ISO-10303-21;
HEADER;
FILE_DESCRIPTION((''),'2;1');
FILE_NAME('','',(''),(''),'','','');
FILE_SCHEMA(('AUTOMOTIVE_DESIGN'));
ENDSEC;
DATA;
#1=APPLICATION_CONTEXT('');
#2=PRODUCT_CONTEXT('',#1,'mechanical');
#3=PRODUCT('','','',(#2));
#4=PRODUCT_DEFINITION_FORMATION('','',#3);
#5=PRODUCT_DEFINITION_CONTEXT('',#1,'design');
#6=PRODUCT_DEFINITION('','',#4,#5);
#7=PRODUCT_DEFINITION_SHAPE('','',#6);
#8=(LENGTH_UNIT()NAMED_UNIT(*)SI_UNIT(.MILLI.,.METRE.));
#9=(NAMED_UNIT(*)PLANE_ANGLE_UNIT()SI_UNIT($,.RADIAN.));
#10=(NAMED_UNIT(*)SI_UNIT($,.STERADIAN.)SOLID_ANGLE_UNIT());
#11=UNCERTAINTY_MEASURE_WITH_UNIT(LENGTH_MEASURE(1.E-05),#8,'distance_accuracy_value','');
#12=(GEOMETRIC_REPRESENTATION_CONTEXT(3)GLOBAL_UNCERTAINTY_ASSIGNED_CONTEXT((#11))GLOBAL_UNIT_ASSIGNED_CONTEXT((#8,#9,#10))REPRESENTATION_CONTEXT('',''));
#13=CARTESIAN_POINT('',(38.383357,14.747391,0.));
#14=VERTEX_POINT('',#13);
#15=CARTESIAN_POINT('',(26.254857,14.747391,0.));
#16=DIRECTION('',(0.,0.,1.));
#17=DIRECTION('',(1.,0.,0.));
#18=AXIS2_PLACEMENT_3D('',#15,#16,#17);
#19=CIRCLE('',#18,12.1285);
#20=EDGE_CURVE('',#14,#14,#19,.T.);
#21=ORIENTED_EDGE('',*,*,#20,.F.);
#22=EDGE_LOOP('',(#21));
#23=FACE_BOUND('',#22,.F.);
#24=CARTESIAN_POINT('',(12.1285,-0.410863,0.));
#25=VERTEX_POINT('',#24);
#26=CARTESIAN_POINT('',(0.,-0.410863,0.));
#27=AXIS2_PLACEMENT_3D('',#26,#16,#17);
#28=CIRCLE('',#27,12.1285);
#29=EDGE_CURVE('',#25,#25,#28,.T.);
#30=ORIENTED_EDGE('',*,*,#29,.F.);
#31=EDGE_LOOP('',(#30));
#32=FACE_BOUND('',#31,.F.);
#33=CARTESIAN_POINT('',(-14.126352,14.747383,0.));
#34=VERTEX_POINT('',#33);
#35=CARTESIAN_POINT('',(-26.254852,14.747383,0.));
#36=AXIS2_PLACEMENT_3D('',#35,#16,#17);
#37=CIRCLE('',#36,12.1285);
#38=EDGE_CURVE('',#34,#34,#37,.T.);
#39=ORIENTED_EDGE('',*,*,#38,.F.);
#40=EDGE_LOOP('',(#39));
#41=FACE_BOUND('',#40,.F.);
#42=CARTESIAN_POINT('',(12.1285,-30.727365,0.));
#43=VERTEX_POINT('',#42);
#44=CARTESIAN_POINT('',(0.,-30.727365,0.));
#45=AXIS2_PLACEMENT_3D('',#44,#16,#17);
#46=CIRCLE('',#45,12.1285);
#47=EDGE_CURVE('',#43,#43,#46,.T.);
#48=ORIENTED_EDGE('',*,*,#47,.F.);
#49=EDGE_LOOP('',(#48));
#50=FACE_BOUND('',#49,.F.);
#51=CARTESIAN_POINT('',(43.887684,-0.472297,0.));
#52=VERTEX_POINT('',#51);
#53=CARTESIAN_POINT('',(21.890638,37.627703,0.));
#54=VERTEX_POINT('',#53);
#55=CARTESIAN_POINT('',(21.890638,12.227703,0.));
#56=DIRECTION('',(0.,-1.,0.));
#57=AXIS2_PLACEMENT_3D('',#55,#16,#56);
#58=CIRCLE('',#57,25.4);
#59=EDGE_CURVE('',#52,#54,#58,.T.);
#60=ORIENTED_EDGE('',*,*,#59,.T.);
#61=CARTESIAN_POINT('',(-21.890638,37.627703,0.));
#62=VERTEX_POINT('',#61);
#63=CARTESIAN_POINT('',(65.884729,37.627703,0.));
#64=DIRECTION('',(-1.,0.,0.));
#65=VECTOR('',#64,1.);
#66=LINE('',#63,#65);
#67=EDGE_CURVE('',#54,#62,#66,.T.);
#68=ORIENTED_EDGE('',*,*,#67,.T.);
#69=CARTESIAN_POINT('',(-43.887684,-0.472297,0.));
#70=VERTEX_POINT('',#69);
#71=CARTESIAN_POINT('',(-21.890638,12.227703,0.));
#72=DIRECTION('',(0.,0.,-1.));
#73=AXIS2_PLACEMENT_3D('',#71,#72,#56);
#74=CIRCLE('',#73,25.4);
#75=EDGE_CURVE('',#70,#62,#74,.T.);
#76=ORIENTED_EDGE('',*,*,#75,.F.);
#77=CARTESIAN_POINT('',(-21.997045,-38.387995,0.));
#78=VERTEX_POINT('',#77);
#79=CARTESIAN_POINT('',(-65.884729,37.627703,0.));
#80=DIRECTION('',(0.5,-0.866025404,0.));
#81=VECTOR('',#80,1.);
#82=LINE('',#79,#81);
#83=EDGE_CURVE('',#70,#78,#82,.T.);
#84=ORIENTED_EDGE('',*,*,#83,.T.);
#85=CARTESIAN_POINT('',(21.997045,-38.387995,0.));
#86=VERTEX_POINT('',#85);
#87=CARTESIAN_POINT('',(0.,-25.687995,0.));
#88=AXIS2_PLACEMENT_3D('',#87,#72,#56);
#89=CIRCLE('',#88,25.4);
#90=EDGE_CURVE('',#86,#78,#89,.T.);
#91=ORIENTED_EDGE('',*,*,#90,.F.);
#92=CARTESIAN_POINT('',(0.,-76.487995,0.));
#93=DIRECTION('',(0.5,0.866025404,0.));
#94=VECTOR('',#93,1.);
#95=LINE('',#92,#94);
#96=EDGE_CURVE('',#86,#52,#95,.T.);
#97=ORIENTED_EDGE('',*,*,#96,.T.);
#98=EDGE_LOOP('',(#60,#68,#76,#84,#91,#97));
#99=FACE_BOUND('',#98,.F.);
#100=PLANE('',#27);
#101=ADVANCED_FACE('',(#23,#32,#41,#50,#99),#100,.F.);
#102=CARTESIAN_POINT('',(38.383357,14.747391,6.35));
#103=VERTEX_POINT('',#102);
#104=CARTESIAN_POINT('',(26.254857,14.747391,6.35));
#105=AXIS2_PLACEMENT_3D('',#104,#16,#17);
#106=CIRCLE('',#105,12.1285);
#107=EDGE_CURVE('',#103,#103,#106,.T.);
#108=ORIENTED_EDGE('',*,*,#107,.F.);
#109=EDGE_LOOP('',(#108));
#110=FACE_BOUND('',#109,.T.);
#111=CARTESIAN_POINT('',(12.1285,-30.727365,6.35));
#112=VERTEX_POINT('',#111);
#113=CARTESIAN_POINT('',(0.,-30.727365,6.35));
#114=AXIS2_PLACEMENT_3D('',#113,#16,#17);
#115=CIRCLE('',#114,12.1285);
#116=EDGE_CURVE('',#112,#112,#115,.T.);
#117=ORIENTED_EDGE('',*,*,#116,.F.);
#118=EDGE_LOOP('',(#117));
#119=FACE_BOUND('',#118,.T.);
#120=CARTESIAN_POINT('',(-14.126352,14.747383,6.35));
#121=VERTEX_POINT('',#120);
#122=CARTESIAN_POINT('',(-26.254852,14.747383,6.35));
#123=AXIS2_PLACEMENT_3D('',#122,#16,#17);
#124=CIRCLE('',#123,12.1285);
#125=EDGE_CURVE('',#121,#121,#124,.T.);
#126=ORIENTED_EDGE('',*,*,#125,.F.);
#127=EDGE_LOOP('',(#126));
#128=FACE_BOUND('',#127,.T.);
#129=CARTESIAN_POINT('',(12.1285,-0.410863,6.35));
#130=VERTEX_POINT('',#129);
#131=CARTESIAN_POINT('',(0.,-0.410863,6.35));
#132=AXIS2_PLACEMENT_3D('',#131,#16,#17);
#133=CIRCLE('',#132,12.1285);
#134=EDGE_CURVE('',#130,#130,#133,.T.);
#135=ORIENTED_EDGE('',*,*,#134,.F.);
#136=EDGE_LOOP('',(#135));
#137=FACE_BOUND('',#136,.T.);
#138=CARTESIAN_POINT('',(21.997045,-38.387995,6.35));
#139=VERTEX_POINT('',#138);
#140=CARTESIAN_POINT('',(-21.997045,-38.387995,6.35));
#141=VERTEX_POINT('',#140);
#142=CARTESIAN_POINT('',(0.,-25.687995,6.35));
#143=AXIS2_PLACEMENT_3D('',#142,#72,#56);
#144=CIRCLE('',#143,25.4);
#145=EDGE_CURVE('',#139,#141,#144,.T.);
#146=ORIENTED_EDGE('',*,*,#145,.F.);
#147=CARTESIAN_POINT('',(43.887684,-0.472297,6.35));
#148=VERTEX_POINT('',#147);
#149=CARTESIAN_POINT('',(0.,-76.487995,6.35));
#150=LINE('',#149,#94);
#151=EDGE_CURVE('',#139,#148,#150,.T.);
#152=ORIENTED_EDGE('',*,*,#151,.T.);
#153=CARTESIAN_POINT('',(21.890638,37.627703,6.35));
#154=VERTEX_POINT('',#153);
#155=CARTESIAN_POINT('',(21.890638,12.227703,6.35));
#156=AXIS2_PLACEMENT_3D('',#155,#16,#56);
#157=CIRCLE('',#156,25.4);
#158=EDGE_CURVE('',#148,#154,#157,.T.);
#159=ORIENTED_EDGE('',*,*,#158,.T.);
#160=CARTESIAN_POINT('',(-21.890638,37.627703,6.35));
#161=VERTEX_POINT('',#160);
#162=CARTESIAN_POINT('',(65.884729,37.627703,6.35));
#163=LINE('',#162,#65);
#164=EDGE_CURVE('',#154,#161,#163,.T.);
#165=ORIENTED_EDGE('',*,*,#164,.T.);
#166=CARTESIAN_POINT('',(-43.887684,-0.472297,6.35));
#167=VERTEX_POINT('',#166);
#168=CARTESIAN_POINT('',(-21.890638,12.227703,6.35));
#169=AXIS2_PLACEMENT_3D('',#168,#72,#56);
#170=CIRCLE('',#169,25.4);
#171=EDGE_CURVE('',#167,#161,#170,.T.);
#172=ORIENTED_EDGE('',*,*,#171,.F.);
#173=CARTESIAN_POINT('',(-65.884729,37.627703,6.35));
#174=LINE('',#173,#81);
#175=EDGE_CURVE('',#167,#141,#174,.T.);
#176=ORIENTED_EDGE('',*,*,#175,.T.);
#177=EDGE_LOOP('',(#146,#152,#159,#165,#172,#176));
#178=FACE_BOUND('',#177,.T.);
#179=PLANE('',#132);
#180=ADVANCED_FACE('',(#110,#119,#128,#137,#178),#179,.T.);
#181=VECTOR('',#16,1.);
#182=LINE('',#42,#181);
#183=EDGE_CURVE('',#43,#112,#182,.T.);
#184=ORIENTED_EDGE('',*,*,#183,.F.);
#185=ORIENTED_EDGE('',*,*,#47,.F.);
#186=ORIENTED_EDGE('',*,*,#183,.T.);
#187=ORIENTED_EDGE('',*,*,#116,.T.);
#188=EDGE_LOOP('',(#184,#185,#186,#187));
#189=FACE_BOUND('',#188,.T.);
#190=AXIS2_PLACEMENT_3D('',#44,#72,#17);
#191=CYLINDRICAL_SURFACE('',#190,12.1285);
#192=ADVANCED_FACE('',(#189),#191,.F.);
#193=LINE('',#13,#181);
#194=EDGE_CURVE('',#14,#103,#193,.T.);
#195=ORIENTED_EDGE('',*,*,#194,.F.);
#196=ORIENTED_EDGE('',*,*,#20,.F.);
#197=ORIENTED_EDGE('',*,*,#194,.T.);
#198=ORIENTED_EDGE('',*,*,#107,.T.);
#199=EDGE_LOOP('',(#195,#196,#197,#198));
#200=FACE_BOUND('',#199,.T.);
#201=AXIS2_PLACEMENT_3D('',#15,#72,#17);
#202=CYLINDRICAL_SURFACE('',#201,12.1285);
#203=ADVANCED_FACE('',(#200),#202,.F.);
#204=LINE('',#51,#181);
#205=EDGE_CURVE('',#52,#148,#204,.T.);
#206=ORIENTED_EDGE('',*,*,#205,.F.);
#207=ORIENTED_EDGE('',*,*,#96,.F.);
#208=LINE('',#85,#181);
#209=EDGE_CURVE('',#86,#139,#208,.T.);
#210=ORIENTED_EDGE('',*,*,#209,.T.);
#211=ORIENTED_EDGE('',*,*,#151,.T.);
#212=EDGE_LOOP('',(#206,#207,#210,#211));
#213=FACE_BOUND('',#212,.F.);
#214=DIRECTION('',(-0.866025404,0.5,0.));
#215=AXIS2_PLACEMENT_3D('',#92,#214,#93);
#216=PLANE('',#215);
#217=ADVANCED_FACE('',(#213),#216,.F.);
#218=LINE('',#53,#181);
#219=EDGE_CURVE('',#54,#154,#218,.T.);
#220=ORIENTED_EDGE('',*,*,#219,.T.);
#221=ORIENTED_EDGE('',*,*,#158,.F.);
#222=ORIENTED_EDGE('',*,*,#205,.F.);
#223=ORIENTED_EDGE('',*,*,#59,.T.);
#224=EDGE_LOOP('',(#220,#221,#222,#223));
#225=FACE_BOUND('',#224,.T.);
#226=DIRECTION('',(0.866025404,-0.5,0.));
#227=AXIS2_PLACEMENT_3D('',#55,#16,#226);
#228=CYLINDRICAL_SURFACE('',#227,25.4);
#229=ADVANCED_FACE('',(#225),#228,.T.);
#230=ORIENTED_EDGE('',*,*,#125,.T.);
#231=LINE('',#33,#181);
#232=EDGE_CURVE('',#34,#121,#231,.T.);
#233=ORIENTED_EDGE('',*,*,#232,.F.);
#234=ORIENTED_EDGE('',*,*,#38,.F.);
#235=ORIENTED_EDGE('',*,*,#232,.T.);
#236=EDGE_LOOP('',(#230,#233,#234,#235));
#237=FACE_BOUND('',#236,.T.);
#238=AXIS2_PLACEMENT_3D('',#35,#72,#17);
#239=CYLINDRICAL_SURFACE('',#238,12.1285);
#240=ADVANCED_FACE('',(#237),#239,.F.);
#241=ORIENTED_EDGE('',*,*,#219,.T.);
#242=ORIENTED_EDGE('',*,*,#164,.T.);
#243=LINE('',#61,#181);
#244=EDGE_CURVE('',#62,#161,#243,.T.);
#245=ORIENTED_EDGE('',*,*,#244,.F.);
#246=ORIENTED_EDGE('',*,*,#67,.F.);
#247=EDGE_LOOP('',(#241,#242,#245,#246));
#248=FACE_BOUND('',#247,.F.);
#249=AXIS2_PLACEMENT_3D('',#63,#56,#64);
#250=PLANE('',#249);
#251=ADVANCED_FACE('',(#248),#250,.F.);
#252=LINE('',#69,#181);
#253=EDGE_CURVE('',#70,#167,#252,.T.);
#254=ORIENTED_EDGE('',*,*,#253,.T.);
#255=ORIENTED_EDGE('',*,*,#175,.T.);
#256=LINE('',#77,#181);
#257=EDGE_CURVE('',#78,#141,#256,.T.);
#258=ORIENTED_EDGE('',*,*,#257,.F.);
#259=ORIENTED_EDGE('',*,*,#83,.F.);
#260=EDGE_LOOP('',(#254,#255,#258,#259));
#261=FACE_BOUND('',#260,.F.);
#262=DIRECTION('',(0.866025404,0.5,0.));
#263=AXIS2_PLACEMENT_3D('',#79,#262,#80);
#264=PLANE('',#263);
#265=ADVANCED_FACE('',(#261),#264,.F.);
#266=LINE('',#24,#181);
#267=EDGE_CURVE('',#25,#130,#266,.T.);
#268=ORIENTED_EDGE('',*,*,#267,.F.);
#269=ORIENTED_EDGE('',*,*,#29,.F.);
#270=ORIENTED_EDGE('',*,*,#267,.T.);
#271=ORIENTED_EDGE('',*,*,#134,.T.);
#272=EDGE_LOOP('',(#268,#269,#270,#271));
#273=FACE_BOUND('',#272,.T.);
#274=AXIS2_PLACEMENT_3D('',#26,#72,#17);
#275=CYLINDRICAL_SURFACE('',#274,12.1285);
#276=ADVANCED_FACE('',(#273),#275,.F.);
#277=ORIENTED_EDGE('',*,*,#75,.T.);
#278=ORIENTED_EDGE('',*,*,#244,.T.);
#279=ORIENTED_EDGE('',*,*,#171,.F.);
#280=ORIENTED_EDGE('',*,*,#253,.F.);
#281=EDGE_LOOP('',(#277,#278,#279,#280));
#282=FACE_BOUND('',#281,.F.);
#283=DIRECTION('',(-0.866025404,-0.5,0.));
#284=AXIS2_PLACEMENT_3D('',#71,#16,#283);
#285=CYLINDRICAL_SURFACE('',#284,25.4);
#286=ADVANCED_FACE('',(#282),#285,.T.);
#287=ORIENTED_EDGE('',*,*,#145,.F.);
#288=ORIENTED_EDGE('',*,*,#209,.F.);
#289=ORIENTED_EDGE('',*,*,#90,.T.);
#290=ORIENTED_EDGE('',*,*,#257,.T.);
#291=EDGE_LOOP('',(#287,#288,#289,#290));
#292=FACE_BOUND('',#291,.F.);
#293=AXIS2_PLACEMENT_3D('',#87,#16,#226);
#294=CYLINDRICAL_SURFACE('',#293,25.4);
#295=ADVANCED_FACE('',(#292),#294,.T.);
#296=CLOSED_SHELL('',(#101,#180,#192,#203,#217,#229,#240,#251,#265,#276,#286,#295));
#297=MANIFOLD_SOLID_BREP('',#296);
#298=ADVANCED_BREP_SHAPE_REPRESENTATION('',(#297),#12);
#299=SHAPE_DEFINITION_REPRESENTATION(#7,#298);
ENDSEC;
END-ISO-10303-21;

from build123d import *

# Parameters (mm, degrees)
F0_R     = 12.1285
F1_DEPTH = 6.35
F2_R     = 25.4
F3_R     = 25.4
F4_R     = 25.4


with BuildPart() as f1:
    # F0 (on Top) → F1 (new body)
    with BuildSketch(Plane.XY):
        Polygon((0, -76.487995), (65.884729, 37.627703), (-65.884729, 37.627703), align=None)
        with Locations((0, -30.727365)):
            Circle(F0_R, mode=Mode.SUBTRACT)
        with Locations((0, -0.410863)):
            Circle(F0_R, mode=Mode.SUBTRACT)
        with Locations((-26.254852, 14.747383)):
            Circle(F0_R, mode=Mode.SUBTRACT)
        with Locations((26.254857, 14.747391)):
            Circle(F0_R, mode=Mode.SUBTRACT)
    extrude(amount=F1_DEPTH)

    # F2
    f2_edges = [f1.edges().sort_by_distance(p)[0] for p in [
        (-65.884729, 37.627703, 3.175),
    ]]
    fillet(f2_edges, radius=F2_R)

    # F3
    f3_edges = [f1.edges().sort_by_distance(p)[0] for p in [
        (65.884729, 37.627703, 3.175),
    ]]
    fillet(f3_edges, radius=F3_R)

    # F4
    f4_edges = [f1.edges().sort_by_distance(p)[0] for p in [
        (0, -76.487995, 3.175),
    ]]
    fillet(f4_edges, radius=F4_R)


solid = f1.part
